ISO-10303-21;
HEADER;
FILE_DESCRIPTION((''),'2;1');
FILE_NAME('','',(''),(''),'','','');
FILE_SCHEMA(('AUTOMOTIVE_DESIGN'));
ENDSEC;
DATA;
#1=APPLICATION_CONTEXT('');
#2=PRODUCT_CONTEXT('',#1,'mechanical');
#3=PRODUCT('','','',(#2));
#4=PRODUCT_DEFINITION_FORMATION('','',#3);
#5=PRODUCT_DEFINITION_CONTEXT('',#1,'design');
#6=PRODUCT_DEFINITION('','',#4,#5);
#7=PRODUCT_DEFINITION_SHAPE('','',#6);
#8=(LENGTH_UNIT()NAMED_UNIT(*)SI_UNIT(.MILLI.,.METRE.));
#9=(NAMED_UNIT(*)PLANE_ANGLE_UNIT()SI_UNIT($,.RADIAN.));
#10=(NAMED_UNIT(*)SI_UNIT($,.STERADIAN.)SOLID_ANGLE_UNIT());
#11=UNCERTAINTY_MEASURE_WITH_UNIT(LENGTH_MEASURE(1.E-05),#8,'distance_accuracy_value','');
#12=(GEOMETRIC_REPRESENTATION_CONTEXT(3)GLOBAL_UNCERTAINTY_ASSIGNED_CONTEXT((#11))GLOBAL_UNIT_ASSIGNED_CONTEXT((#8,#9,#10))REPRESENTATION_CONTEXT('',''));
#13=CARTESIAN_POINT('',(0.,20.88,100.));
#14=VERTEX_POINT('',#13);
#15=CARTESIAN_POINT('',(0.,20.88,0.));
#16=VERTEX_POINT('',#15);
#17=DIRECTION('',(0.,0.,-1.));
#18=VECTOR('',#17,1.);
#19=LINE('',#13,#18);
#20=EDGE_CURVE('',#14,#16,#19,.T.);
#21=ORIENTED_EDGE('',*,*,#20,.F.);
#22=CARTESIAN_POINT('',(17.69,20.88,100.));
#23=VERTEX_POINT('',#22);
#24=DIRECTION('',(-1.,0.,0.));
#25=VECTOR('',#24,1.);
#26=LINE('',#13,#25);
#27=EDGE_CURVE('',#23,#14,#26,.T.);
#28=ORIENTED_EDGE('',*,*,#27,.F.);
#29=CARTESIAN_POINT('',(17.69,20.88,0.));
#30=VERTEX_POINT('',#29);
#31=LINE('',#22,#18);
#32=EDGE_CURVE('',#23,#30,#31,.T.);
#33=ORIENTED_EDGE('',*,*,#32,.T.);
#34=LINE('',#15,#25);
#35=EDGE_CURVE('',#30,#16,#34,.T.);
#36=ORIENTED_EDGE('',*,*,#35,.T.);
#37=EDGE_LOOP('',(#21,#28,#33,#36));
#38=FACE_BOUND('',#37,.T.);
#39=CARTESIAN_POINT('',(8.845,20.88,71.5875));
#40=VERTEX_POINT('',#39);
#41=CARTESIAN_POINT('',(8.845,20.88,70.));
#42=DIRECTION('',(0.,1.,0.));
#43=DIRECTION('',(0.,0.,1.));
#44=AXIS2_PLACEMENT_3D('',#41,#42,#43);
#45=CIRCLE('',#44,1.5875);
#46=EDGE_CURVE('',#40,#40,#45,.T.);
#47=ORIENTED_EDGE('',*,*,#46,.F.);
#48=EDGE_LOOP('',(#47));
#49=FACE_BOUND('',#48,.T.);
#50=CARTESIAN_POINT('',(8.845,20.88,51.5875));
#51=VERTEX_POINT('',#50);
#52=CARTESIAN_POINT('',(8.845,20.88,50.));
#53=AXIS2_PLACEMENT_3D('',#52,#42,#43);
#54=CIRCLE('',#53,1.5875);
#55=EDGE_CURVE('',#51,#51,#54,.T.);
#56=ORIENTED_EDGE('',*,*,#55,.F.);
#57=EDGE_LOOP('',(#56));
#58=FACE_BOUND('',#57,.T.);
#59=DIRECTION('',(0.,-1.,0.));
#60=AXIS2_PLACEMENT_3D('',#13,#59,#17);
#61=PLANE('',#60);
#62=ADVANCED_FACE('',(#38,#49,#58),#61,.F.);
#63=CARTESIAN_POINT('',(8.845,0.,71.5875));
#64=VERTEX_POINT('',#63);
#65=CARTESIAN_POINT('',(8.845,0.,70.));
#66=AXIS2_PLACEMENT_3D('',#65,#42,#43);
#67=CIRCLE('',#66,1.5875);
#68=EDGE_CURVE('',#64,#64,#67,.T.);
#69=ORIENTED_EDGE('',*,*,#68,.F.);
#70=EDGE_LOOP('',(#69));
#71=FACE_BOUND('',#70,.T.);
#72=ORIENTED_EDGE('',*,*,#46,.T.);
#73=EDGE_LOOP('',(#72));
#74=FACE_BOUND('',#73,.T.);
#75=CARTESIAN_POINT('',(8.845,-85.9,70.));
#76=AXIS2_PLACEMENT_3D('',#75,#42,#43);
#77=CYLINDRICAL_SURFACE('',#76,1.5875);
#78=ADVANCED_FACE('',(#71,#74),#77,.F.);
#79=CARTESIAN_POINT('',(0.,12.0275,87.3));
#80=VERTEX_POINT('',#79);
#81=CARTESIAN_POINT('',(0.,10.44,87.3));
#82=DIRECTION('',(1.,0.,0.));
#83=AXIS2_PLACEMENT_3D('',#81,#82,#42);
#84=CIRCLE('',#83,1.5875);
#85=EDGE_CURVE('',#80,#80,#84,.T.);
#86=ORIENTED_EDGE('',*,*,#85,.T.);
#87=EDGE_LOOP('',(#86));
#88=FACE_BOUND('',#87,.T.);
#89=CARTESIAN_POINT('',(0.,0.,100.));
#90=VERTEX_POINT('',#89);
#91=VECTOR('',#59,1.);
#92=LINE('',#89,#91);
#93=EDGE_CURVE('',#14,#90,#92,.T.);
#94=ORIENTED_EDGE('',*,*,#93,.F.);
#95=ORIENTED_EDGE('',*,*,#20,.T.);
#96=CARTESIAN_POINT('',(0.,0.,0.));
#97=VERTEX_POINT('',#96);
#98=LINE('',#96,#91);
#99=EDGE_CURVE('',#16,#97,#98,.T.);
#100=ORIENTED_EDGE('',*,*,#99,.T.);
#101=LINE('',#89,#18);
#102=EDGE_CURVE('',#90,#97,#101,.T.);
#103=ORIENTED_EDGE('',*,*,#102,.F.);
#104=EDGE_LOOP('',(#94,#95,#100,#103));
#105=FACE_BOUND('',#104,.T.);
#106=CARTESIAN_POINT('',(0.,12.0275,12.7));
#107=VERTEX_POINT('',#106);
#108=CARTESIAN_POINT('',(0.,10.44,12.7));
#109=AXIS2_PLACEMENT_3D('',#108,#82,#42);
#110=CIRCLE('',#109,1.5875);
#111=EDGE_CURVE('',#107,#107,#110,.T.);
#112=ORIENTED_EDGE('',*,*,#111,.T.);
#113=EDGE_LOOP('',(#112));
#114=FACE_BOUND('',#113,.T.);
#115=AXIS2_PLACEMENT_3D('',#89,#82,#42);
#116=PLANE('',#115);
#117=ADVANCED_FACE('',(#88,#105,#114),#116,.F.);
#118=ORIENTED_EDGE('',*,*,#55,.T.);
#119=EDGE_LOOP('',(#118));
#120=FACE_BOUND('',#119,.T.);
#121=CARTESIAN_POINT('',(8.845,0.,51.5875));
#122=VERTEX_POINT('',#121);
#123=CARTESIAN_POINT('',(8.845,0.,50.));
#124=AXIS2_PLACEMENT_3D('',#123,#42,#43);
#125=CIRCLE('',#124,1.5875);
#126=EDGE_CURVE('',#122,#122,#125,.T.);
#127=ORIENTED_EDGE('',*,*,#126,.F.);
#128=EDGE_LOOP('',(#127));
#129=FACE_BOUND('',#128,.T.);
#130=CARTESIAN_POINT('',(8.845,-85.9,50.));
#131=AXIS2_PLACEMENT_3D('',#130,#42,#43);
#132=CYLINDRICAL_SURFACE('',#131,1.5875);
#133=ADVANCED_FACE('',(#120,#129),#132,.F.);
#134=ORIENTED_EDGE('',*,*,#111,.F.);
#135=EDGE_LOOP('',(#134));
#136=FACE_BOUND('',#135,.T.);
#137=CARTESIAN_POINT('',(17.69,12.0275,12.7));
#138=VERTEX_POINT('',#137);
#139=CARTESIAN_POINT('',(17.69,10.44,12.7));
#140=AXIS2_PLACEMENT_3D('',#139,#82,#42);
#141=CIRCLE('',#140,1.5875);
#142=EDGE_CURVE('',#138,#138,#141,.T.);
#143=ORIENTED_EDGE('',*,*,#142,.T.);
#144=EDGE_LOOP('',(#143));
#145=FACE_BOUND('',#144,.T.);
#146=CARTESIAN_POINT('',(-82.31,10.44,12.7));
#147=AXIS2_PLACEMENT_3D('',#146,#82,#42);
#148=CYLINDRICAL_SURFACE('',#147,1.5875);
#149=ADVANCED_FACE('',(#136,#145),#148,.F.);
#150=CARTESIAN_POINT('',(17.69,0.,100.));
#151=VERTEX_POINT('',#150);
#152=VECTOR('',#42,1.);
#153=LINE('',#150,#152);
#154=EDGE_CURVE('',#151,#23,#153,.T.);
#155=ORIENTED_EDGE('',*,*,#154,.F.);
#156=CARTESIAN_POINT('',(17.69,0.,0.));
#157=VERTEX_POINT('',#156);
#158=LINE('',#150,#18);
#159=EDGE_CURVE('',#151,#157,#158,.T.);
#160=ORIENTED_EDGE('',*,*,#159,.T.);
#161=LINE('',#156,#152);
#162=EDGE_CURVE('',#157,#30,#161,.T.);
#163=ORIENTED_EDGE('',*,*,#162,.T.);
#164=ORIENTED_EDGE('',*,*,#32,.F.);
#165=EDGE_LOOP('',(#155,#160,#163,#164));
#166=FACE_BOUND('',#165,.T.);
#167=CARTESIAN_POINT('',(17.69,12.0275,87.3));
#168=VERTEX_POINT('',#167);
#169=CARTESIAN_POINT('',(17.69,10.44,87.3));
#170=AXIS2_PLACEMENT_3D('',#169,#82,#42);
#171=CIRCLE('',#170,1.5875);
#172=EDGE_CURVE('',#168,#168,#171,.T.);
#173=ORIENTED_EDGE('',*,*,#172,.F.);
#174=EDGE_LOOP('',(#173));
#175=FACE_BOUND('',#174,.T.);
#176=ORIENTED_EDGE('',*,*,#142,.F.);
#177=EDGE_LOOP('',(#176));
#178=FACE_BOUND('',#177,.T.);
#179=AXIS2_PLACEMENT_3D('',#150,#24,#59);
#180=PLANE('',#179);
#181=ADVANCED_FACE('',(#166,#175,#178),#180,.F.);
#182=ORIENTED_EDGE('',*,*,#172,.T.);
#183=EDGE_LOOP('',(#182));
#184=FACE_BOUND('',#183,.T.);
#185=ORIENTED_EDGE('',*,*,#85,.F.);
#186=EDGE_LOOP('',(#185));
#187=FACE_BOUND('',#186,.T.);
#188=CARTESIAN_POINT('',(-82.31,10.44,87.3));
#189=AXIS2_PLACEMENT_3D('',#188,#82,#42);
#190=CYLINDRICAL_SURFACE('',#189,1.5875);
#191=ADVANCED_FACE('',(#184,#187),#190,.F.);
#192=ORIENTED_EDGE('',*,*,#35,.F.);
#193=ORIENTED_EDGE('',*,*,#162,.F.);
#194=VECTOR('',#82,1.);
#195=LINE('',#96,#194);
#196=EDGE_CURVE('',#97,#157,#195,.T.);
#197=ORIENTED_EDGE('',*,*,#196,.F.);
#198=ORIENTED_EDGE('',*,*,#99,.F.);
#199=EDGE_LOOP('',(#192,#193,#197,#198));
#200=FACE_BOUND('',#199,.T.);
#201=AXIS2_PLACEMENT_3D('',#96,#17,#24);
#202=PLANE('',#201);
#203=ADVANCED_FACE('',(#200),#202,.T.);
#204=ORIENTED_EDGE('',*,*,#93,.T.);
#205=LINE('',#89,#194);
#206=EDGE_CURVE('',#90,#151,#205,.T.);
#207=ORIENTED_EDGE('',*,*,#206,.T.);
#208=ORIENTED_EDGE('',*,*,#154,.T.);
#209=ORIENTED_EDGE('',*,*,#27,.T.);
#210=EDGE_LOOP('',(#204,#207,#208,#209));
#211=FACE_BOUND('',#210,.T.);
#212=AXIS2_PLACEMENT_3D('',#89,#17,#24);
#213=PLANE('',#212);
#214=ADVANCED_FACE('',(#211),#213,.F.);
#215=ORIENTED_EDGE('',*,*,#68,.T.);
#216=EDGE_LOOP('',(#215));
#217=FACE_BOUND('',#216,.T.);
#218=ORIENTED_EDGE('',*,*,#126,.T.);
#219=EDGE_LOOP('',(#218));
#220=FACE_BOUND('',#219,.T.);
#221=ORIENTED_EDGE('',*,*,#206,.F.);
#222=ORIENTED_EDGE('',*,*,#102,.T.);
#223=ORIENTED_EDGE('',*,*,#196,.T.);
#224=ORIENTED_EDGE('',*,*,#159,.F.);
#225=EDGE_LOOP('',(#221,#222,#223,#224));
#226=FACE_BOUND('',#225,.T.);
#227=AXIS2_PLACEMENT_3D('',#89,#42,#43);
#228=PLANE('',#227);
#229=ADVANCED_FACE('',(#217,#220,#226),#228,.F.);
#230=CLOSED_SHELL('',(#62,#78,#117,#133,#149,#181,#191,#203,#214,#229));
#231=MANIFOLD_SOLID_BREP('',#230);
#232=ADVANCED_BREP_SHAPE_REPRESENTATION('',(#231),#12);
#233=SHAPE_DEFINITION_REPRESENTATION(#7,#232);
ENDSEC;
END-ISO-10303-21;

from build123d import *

# Parameters (mm, degrees)
SKETCH1_W           = 17.69
SKETCH1_H           = 20.88
BOSS_EXTRUDE1_DEPTH = 100
SKETCH2_R           = 1.5875
CUT_EXTRUDE1_DEPTH  = 106.78
SKETCH3_R           = 1.5875
CUT_EXTRUDE2_DEPTH  = 100


with BuildPart() as part:
    # Sketch1 → Boss-Extrude1 (new body)
    with BuildSketch(Plane.XY):
        with Locations((8.845, 10.44)):
            Rectangle(SKETCH1_W, SKETCH1_H)
    extrude(amount=BOSS_EXTRUDE1_DEPTH)

    # Sketch2 → Cut-Extrude1 (cut)
    with BuildSketch(Plane(origin=(0, 20.88, 0), x_dir=(1, 0, 0), z_dir=(0, 1, 0))):
        with Locations(Location((8.845, -50, 0), (0, 0, 270))):
            Circle(SKETCH2_R)
        with Locations(Location((8.845, -70, 0), (0, 0, 270))):
            Circle(SKETCH2_R)
    extrude(amount=-CUT_EXTRUDE1_DEPTH, mode=Mode.SUBTRACT)

    # Sketch3 → Cut-Extrude2 (cut)
    with BuildSketch(Plane(origin=(17.69, 0, 0), x_dir=(0, 0, -1), z_dir=(1, 0, 0))):
        with Locations(Location((-87.3, 10.44, 0), (0, 0, 90))):
            Circle(SKETCH3_R)
        with Locations(Location((-12.7, 10.44, 0), (0, 0, 90))):
            Circle(SKETCH3_R)
    extrude(amount=-CUT_EXTRUDE2_DEPTH, mode=Mode.SUBTRACT)


solid = part.part
